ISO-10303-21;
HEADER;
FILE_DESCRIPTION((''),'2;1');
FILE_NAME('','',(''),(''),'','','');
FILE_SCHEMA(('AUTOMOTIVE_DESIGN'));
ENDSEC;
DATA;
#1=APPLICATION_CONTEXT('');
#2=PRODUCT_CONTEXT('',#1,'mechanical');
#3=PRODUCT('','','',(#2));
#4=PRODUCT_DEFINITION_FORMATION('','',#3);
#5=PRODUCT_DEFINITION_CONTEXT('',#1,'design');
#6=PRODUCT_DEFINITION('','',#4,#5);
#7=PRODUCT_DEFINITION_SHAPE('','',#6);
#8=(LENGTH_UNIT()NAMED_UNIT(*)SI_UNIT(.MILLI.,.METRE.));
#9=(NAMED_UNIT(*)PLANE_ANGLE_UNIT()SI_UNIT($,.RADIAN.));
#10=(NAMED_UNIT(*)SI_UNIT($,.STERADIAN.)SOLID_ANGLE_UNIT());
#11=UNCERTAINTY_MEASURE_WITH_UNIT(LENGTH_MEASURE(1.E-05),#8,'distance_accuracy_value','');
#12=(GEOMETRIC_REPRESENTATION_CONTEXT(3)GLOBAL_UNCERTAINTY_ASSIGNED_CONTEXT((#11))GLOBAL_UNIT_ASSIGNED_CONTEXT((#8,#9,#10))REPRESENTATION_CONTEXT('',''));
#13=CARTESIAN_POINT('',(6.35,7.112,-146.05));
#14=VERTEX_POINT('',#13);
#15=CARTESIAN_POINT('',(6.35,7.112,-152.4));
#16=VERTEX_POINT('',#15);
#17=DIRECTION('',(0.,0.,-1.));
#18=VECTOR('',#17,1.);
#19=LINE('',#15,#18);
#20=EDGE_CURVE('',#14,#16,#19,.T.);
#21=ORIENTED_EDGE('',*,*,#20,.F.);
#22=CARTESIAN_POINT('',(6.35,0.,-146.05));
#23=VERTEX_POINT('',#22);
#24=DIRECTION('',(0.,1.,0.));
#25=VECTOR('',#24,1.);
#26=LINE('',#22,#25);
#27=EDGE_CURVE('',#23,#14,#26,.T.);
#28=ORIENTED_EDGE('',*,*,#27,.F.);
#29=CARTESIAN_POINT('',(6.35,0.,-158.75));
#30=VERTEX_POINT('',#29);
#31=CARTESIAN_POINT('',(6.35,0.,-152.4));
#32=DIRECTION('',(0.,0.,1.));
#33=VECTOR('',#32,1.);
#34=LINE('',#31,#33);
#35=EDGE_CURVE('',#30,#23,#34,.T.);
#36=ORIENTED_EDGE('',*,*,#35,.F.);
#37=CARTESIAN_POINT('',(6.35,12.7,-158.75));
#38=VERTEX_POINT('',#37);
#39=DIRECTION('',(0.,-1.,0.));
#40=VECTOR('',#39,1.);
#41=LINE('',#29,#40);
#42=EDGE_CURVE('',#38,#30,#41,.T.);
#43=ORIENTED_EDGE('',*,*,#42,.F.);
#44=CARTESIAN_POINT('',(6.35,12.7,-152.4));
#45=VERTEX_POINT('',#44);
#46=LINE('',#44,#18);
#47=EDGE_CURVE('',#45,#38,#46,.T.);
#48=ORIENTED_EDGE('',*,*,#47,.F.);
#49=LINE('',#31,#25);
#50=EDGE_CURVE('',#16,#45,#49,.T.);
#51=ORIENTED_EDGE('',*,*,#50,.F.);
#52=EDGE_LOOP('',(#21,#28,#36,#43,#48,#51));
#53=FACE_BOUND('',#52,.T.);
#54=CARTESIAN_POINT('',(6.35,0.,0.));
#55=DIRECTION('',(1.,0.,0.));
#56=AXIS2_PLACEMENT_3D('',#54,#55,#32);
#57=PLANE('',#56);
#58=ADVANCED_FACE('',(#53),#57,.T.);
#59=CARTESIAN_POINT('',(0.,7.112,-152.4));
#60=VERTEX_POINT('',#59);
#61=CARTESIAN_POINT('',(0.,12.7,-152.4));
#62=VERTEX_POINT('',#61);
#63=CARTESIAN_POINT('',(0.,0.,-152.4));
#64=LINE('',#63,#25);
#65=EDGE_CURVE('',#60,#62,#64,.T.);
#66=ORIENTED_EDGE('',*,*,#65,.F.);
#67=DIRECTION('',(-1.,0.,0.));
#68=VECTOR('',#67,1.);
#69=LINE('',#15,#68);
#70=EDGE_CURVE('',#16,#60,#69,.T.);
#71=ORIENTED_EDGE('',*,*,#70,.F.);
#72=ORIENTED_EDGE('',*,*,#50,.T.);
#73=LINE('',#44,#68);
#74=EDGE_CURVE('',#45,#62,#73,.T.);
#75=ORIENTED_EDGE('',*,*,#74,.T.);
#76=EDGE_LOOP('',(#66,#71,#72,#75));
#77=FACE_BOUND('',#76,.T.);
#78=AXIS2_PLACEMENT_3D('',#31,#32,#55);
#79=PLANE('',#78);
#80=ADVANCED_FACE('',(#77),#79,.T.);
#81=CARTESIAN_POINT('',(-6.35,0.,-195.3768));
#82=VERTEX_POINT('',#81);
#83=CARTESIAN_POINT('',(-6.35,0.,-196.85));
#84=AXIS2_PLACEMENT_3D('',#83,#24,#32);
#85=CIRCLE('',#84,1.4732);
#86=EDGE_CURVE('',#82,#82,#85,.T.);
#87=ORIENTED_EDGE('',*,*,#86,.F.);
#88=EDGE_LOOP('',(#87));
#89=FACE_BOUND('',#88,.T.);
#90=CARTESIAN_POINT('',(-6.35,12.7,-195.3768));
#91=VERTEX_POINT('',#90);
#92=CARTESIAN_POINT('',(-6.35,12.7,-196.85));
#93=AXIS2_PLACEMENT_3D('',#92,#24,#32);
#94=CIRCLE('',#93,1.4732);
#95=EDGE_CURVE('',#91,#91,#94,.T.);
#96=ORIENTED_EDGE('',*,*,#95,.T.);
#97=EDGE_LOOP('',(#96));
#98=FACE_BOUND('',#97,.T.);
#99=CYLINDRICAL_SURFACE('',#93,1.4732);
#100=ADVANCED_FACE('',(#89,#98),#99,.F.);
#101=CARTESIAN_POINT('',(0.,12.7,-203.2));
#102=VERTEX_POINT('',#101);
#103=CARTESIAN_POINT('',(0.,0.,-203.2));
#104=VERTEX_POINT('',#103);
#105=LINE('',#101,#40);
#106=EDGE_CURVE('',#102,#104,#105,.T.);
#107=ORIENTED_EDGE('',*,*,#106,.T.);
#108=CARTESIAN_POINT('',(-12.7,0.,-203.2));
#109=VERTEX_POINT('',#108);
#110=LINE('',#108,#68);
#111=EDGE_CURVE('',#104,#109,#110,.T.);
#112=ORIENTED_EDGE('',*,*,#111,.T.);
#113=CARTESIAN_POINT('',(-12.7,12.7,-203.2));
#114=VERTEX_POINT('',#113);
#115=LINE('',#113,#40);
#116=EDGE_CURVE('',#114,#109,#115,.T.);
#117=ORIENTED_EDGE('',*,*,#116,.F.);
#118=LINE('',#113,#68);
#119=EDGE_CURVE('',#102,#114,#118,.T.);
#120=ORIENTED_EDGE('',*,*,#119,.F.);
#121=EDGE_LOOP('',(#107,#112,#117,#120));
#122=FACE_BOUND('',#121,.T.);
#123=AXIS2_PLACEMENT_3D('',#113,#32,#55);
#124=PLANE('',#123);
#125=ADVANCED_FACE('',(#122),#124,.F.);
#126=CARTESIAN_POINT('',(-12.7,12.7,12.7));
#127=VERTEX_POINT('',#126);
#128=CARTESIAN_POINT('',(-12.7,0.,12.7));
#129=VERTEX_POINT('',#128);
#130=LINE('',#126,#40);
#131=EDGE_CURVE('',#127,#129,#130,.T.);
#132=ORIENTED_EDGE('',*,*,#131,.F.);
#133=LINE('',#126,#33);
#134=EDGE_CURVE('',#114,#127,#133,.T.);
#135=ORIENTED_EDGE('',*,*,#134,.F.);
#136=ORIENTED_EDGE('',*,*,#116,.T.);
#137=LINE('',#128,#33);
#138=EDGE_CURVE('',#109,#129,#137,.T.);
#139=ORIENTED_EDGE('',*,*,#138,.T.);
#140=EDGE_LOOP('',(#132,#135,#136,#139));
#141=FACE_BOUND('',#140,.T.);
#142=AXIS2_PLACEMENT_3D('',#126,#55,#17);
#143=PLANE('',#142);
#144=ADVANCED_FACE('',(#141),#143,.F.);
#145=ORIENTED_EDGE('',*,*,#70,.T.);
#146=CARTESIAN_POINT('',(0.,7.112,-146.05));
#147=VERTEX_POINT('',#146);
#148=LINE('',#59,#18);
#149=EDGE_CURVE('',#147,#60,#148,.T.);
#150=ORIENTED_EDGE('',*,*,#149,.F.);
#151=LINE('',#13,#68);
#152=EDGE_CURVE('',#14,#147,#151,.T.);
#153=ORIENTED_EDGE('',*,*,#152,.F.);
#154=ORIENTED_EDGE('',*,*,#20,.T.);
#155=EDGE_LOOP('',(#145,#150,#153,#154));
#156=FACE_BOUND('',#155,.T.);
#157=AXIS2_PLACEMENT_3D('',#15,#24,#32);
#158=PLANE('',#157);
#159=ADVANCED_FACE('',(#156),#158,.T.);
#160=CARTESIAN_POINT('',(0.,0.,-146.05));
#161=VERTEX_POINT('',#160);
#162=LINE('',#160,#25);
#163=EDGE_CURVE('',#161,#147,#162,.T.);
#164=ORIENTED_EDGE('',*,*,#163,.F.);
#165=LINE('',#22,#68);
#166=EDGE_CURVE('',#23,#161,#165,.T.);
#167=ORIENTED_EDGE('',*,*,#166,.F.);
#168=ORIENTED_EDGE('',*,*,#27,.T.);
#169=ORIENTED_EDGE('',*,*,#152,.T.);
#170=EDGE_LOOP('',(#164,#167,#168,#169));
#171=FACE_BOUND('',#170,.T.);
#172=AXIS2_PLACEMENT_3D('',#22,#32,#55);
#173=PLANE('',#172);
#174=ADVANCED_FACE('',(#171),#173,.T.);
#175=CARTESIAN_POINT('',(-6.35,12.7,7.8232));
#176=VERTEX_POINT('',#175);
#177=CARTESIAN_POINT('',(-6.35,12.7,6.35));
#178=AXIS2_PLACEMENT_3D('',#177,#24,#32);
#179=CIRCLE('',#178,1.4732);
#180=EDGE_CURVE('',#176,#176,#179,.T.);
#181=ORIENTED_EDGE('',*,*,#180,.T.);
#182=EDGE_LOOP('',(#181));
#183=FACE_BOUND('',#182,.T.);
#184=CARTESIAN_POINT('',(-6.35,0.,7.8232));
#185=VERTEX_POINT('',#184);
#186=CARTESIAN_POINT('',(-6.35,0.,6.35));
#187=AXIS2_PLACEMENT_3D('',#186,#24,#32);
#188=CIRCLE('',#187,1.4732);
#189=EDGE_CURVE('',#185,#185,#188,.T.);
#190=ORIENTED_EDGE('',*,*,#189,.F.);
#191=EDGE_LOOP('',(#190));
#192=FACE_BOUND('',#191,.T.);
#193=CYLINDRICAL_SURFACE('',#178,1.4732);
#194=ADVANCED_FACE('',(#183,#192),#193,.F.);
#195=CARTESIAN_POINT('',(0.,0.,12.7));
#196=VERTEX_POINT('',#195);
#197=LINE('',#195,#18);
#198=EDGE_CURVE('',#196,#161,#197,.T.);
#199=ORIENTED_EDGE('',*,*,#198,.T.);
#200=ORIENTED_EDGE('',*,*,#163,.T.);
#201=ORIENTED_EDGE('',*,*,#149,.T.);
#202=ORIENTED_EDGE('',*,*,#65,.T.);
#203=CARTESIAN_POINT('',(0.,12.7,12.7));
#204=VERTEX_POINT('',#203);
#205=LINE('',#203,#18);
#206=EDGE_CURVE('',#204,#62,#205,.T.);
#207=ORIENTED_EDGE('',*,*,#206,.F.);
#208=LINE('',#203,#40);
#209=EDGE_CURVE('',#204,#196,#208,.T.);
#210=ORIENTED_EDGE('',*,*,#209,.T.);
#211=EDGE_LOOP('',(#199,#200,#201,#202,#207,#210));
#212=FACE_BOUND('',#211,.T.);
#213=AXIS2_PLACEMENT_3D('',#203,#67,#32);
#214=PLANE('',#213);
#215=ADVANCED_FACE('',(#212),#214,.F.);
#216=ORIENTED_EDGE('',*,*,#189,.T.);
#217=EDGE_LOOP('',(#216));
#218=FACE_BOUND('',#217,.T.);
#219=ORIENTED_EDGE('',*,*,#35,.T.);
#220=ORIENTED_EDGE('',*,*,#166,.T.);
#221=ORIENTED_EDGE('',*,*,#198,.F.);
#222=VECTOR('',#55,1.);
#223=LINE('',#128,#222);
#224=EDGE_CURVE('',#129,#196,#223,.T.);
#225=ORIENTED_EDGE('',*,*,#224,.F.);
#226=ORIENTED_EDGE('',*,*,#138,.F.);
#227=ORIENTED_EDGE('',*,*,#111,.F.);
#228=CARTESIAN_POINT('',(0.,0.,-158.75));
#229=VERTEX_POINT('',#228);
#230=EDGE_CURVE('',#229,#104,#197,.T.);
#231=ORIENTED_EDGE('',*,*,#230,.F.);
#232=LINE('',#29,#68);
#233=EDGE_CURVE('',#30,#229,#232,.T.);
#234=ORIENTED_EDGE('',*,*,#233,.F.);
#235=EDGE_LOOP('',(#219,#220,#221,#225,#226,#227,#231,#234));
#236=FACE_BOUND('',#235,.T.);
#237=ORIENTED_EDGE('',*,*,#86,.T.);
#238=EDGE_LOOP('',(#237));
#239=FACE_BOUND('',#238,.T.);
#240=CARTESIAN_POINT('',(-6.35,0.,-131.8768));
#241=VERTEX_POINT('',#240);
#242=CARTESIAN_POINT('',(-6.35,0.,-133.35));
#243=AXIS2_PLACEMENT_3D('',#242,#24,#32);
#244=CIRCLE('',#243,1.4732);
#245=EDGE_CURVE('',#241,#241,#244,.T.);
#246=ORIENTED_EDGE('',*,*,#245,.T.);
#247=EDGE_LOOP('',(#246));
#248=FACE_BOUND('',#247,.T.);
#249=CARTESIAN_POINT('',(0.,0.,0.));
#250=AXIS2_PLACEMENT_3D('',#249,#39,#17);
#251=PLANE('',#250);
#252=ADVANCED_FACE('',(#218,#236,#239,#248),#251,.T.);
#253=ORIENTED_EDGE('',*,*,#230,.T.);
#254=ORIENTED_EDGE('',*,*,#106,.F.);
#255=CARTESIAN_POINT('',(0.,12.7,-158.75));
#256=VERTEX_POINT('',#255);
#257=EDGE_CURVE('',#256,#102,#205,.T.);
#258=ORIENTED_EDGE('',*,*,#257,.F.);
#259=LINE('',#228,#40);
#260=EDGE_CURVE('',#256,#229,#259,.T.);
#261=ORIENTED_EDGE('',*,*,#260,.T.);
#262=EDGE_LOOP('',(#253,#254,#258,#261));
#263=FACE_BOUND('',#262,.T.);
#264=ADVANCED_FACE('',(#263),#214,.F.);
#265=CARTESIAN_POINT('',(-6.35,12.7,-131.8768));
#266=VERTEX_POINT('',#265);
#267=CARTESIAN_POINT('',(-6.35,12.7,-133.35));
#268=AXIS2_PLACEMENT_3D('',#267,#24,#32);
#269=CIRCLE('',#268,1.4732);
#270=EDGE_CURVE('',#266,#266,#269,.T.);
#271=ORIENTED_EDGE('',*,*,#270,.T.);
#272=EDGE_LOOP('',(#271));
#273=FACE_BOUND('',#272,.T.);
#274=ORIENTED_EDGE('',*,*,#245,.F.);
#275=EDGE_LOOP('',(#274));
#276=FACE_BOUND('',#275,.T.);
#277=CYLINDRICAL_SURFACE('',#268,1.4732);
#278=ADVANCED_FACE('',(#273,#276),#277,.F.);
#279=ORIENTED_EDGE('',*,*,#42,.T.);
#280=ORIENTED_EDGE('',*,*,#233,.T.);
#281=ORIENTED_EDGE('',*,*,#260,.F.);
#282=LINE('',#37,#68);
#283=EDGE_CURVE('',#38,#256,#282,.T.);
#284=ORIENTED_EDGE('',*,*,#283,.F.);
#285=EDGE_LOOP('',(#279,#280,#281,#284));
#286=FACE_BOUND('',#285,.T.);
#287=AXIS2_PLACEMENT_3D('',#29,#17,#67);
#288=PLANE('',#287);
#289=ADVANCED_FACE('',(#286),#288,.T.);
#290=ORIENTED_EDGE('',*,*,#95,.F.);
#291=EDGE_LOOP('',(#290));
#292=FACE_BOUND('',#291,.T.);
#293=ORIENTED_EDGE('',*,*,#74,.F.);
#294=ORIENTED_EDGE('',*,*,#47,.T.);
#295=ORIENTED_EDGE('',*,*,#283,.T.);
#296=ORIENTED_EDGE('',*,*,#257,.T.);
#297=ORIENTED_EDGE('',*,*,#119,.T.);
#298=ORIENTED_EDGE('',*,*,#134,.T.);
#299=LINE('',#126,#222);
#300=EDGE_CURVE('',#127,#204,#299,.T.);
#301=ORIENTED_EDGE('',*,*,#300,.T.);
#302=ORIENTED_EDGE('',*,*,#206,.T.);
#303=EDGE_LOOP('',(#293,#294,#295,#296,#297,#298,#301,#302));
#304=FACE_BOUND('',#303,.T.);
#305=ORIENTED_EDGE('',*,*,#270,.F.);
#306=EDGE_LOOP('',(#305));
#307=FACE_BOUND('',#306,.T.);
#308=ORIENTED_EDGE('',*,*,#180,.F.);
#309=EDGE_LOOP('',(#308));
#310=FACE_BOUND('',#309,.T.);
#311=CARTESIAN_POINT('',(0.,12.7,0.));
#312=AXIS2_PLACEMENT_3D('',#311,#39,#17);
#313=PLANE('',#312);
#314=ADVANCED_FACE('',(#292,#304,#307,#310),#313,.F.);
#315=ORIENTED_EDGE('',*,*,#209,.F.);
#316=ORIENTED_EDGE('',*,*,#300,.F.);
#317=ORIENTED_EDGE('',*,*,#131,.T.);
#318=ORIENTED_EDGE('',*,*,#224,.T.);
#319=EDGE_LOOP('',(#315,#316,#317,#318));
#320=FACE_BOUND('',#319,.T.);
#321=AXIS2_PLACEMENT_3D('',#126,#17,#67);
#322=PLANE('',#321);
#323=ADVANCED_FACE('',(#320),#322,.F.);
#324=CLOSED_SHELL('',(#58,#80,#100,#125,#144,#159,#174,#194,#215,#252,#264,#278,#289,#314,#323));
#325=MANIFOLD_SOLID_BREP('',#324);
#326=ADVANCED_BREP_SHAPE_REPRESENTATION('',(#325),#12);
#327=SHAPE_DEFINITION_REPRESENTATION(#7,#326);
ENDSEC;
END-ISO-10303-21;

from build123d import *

# Parameters (mm, degrees)
SKETCH18_W                  = 12.7
SKETCH18_H                  = 215.9
BOSS_EXTRUDE3_DEPTH         = 12.7
F_32_0_116_DIAMETER_HOLE7_D = 2.9464
SKETCH29_W                  = 6.35
SKETCH29_H                  = 12.7
BOSS_EXTRUDE4_DEPTH         = 6.35
SKETCH30_W                  = 6.35
SKETCH30_H                  = 7.112
BOSS_EXTRUDE5_DEPTH         = 6.35
SKETCH33_W                  = 12.7
SKETCH33_H                  = 12.7
CUT_EXTRUDE1_DEPTH          = 6.35


with BuildPart() as part:
    # Sketch18 → Boss-Extrude3 (new body)
    with BuildSketch(Plane(origin=(0, 0, 0), x_dir=(1, 0, 0), z_dir=(0, 1, 0))):
        with Locations((-6.35, 95.25)):
            Rectangle(SKETCH18_W, SKETCH18_H)
    extrude(amount=BOSS_EXTRUDE3_DEPTH)

    # #32 (0.116) Diameter Hole7 (through all)
    with Locations(Plane(origin=(0, 12.7, 0), x_dir=(1, 0, 0), z_dir=(0, 1, 0))):
        with Locations((-6.35, 196.85), (-6.35, 133.35), (-6.35, -6.35)):
            Hole(F_32_0_116_DIAMETER_HOLE7_D / 2)

    # Sketch29 → Boss-Extrude4 (add)
    with BuildSketch(Plane.ZY.offset(12.7)):
        with Locations((-155.575, 6.35)):
            Rectangle(SKETCH29_W, SKETCH29_H)
    boss_extrude4 = extrude(amount=BOSS_EXTRUDE4_DEPTH)

    # Sketch30 → Boss-Extrude5 (add)
    with BuildSketch(Plane.ZY.offset(12.7)):
        with Locations((-149.225, 3.556)):
            Rectangle(SKETCH30_W, SKETCH30_H)
    boss_extrude5 = extrude(amount=BOSS_EXTRUDE5_DEPTH)

    # Mirror2: Boss-Extrude4, Boss-Extrude5 across plane
    add(boss_extrude4.mirror(Plane.ZY.offset(6.35)))
    add(boss_extrude5.mirror(Plane.ZY.offset(6.35)))

    # Sketch33 → Cut-Extrude1 (cut)
    with BuildSketch(Plane.ZY.offset(19.05)):
        with Locations((-152.4, 6.35)):
            Rectangle(SKETCH33_W, SKETCH33_H)
    extrude(amount=-CUT_EXTRUDE1_DEPTH, mode=Mode.SUBTRACT)


solid = part.part
